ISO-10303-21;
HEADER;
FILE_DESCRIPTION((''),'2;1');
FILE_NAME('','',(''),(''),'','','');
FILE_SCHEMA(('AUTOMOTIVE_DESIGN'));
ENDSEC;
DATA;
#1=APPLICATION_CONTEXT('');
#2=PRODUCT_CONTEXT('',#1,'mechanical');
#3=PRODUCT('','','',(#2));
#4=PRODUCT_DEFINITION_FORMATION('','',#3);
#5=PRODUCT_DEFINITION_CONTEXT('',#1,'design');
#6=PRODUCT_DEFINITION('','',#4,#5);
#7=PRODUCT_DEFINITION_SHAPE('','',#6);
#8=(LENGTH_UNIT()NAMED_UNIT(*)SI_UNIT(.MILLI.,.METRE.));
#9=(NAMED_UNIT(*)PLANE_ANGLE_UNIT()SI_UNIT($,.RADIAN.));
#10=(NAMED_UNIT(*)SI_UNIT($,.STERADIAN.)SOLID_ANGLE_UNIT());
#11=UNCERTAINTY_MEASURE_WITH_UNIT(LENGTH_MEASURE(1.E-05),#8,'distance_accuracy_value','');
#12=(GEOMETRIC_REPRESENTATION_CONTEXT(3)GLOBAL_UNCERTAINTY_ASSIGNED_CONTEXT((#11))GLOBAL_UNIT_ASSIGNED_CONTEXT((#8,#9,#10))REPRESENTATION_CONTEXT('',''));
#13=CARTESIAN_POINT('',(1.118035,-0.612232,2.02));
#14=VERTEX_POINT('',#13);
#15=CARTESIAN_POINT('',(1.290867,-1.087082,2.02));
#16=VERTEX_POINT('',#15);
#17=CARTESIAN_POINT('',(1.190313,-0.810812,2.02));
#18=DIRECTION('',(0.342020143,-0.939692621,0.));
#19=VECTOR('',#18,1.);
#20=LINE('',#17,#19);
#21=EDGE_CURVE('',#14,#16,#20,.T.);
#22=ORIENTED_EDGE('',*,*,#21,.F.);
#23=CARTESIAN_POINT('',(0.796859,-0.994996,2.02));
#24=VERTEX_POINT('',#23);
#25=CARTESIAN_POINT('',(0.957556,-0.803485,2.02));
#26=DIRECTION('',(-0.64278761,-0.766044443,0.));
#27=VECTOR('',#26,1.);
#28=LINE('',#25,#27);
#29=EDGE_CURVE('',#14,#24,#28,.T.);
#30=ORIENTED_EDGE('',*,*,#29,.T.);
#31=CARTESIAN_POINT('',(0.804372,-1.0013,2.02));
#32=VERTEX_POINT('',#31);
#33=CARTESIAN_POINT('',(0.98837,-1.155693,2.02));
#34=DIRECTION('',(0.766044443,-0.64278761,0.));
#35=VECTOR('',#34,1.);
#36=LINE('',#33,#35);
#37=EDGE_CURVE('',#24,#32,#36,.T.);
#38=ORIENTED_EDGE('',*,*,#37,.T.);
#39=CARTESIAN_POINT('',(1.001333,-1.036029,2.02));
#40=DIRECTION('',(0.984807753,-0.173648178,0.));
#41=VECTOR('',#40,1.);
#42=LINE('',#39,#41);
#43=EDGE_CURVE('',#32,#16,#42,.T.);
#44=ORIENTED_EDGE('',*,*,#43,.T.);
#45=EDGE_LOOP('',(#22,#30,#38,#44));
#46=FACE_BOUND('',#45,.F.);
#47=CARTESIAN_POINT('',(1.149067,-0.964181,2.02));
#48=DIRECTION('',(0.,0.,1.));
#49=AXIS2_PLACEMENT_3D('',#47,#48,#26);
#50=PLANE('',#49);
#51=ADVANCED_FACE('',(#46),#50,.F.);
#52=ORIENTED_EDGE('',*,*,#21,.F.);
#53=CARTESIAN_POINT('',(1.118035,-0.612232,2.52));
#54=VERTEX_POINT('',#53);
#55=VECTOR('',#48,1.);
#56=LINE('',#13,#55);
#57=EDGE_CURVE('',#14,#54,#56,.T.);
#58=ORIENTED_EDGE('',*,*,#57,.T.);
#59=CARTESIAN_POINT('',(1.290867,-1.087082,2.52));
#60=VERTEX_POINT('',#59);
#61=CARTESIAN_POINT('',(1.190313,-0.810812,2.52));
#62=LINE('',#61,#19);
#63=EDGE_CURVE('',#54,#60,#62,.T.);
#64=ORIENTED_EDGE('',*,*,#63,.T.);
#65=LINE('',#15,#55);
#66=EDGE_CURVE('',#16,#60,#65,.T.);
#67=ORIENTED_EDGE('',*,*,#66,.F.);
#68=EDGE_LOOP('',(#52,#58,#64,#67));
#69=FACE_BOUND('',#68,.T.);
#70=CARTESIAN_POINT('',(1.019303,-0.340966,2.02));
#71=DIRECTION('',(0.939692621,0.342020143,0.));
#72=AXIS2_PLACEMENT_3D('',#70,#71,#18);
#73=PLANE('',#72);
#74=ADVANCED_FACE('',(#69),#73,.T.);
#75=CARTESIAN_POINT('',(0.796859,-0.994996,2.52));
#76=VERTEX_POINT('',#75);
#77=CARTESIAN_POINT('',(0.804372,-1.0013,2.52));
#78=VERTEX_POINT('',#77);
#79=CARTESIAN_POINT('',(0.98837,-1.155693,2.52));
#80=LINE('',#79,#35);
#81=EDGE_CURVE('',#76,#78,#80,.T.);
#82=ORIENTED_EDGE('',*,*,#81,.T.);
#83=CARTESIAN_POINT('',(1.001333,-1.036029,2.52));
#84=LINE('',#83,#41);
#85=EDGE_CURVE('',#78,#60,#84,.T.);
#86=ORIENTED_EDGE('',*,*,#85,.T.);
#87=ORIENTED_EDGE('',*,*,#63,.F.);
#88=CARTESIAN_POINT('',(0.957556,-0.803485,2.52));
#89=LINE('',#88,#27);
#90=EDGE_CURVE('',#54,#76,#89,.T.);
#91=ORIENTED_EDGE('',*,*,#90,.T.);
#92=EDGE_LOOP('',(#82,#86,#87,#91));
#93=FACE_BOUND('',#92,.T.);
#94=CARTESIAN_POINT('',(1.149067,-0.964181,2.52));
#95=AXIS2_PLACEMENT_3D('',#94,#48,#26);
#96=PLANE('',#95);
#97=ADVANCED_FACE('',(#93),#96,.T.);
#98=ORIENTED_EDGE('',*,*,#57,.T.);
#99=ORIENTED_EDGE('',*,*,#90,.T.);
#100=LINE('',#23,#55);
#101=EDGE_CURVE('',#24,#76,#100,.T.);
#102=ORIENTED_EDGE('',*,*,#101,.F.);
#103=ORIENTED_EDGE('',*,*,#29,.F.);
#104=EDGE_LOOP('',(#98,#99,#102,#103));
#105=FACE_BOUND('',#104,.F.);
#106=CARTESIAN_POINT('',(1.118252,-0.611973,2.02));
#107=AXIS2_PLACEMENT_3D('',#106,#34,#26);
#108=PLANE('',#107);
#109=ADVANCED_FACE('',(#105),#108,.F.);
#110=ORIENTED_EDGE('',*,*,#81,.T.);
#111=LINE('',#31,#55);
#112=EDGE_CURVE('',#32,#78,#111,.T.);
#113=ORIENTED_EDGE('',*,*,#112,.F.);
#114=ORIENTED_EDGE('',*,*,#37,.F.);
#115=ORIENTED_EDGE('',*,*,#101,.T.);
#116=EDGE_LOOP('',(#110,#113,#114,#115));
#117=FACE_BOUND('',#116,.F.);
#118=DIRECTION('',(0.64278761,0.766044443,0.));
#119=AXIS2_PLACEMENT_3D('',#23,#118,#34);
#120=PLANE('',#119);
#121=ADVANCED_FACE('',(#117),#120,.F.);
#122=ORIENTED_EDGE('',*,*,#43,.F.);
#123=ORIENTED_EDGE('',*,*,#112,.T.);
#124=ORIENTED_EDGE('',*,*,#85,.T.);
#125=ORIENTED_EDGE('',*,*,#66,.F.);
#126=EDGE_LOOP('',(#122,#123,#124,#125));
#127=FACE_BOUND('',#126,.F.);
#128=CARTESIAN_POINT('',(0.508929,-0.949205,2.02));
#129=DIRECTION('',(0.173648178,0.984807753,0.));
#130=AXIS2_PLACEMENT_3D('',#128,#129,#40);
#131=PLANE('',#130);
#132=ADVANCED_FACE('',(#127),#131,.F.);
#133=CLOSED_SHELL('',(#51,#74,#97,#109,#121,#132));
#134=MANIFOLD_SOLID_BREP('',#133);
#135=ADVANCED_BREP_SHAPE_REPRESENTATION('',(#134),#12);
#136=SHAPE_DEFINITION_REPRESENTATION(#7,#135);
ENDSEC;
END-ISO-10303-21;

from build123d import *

# Parameters (mm, degrees)
BOX034_W               = 1
BOX034_H               = 1
BOX034_DEPTH           = 0.5
BOX034_PLACEMENT_ANGLE = 30
BOX035_W               = 1
BOX035_H               = 1
BOX035_DEPTH           = 0.5
BOX035_PLACEMENT_ANGLE = 60
BOX033_W               = 0.5
BOX033_H               = 0.5
BOX033_DEPTH           = 0.5
CUT024_PLACEMENT_ANGLE = 230


with BuildPart() as kub034:
    # Box034 → Box034 (new body)
    with BuildSketch(Plane.XY):
        with Locations((0.5, 0.5)):
            Rectangle(BOX034_W, BOX034_H)
    extrude(amount=BOX034_DEPTH)


with BuildPart() as kub034_1:
    # Box034 placement: moved
    add(kub034.part.moved(Location((0.4, 1, 2.02))).rotate(Axis((0.4, 1, 2.02), (0, 0, 1)), BOX034_PLACEMENT_ANGLE))


with BuildPart() as kub035:
    # Box035 → Box035 (new body)
    with BuildSketch(Plane.XY):
        with Locations((0.5, 0.5)):
            Rectangle(BOX035_W, BOX035_H)
    extrude(amount=BOX035_DEPTH)


with BuildPart() as kub035_1:
    # Box035 placement: moved
    add(kub035.part.moved(Location((-0.394, 1, 2.02))).rotate(Axis((-0.394, 1, 2.02), (0, 0, 1)), BOX035_PLACEMENT_ANGLE))


with BuildPart() as cut024:
    # Box033 → Box033 (new body)
    with BuildSketch(Plane(origin=(-0.25, 1.25, 2.02), x_dir=(1, 0, 0), z_dir=(0, 0, 1))):
        with Locations((0.25, 0.25)):
            Rectangle(BOX033_W, BOX033_H)
    extrude(amount=BOX033_DEPTH)

    # Cut023: cut Kub035
    add(kub035_1.part, mode=Mode.SUBTRACT)

    # Cut024: cut Kub034
    add(kub034_1.part, mode=Mode.SUBTRACT)


with BuildPart() as cut024_1:
    # Cut024 placement: moved
    add(cut024.part.rotate(Axis((0, 0, 0), (0, 0, 1)), CUT024_PLACEMENT_ANGLE))


solid = cut024_1.part
